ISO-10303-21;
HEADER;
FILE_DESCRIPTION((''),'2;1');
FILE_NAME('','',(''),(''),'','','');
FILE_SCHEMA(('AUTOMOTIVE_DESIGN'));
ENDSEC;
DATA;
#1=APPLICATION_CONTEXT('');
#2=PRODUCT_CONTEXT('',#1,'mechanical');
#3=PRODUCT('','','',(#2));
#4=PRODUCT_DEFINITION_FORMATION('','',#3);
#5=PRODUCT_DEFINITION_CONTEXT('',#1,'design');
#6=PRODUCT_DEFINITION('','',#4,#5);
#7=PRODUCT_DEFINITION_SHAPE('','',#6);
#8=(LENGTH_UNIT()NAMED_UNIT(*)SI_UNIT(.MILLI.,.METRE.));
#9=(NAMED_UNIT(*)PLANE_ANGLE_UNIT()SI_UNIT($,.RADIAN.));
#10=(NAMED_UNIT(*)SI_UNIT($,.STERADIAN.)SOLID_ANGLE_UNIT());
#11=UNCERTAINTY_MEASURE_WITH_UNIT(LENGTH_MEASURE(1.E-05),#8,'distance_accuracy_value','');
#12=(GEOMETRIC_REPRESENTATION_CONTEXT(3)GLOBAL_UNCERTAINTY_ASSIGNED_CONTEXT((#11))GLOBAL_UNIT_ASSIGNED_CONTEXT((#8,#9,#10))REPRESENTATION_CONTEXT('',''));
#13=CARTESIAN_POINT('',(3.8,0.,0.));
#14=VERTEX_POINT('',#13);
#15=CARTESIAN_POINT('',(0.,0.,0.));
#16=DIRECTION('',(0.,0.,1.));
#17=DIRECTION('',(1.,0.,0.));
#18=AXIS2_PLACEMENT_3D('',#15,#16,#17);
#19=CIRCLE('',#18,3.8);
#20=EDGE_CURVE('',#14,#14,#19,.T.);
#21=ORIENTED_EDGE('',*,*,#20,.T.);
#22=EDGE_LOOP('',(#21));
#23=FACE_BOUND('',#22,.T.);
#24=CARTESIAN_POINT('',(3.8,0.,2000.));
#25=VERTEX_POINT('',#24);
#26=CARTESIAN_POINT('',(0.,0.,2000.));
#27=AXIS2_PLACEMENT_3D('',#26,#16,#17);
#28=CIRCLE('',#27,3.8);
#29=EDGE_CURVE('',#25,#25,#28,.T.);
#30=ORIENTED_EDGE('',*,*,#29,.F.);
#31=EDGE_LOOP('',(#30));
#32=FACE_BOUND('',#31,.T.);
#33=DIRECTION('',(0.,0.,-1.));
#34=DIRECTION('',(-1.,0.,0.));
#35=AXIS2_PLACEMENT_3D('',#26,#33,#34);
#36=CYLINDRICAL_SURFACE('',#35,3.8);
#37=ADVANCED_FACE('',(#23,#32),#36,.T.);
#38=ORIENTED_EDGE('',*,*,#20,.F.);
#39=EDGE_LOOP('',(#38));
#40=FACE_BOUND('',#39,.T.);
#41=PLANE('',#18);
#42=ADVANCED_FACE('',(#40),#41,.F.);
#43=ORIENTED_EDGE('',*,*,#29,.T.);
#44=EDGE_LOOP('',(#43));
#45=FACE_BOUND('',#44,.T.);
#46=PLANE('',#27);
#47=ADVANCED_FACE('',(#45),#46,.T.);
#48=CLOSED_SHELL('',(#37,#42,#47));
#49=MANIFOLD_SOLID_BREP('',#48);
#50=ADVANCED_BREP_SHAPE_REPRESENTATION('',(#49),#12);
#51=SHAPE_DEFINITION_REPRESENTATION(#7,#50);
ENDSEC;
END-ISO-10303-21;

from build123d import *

# Parameters (mm, degrees)
SKETCH1_R           = 3.8
BOSS_EXTRUDE1_DEPTH = 2000


with BuildPart() as part:
    # Sketch1 → Boss-Extrude1 (new body)
    with BuildSketch(Plane.XY):
        Circle(SKETCH1_R)
    extrude(amount=BOSS_EXTRUDE1_DEPTH)


solid = part.part
